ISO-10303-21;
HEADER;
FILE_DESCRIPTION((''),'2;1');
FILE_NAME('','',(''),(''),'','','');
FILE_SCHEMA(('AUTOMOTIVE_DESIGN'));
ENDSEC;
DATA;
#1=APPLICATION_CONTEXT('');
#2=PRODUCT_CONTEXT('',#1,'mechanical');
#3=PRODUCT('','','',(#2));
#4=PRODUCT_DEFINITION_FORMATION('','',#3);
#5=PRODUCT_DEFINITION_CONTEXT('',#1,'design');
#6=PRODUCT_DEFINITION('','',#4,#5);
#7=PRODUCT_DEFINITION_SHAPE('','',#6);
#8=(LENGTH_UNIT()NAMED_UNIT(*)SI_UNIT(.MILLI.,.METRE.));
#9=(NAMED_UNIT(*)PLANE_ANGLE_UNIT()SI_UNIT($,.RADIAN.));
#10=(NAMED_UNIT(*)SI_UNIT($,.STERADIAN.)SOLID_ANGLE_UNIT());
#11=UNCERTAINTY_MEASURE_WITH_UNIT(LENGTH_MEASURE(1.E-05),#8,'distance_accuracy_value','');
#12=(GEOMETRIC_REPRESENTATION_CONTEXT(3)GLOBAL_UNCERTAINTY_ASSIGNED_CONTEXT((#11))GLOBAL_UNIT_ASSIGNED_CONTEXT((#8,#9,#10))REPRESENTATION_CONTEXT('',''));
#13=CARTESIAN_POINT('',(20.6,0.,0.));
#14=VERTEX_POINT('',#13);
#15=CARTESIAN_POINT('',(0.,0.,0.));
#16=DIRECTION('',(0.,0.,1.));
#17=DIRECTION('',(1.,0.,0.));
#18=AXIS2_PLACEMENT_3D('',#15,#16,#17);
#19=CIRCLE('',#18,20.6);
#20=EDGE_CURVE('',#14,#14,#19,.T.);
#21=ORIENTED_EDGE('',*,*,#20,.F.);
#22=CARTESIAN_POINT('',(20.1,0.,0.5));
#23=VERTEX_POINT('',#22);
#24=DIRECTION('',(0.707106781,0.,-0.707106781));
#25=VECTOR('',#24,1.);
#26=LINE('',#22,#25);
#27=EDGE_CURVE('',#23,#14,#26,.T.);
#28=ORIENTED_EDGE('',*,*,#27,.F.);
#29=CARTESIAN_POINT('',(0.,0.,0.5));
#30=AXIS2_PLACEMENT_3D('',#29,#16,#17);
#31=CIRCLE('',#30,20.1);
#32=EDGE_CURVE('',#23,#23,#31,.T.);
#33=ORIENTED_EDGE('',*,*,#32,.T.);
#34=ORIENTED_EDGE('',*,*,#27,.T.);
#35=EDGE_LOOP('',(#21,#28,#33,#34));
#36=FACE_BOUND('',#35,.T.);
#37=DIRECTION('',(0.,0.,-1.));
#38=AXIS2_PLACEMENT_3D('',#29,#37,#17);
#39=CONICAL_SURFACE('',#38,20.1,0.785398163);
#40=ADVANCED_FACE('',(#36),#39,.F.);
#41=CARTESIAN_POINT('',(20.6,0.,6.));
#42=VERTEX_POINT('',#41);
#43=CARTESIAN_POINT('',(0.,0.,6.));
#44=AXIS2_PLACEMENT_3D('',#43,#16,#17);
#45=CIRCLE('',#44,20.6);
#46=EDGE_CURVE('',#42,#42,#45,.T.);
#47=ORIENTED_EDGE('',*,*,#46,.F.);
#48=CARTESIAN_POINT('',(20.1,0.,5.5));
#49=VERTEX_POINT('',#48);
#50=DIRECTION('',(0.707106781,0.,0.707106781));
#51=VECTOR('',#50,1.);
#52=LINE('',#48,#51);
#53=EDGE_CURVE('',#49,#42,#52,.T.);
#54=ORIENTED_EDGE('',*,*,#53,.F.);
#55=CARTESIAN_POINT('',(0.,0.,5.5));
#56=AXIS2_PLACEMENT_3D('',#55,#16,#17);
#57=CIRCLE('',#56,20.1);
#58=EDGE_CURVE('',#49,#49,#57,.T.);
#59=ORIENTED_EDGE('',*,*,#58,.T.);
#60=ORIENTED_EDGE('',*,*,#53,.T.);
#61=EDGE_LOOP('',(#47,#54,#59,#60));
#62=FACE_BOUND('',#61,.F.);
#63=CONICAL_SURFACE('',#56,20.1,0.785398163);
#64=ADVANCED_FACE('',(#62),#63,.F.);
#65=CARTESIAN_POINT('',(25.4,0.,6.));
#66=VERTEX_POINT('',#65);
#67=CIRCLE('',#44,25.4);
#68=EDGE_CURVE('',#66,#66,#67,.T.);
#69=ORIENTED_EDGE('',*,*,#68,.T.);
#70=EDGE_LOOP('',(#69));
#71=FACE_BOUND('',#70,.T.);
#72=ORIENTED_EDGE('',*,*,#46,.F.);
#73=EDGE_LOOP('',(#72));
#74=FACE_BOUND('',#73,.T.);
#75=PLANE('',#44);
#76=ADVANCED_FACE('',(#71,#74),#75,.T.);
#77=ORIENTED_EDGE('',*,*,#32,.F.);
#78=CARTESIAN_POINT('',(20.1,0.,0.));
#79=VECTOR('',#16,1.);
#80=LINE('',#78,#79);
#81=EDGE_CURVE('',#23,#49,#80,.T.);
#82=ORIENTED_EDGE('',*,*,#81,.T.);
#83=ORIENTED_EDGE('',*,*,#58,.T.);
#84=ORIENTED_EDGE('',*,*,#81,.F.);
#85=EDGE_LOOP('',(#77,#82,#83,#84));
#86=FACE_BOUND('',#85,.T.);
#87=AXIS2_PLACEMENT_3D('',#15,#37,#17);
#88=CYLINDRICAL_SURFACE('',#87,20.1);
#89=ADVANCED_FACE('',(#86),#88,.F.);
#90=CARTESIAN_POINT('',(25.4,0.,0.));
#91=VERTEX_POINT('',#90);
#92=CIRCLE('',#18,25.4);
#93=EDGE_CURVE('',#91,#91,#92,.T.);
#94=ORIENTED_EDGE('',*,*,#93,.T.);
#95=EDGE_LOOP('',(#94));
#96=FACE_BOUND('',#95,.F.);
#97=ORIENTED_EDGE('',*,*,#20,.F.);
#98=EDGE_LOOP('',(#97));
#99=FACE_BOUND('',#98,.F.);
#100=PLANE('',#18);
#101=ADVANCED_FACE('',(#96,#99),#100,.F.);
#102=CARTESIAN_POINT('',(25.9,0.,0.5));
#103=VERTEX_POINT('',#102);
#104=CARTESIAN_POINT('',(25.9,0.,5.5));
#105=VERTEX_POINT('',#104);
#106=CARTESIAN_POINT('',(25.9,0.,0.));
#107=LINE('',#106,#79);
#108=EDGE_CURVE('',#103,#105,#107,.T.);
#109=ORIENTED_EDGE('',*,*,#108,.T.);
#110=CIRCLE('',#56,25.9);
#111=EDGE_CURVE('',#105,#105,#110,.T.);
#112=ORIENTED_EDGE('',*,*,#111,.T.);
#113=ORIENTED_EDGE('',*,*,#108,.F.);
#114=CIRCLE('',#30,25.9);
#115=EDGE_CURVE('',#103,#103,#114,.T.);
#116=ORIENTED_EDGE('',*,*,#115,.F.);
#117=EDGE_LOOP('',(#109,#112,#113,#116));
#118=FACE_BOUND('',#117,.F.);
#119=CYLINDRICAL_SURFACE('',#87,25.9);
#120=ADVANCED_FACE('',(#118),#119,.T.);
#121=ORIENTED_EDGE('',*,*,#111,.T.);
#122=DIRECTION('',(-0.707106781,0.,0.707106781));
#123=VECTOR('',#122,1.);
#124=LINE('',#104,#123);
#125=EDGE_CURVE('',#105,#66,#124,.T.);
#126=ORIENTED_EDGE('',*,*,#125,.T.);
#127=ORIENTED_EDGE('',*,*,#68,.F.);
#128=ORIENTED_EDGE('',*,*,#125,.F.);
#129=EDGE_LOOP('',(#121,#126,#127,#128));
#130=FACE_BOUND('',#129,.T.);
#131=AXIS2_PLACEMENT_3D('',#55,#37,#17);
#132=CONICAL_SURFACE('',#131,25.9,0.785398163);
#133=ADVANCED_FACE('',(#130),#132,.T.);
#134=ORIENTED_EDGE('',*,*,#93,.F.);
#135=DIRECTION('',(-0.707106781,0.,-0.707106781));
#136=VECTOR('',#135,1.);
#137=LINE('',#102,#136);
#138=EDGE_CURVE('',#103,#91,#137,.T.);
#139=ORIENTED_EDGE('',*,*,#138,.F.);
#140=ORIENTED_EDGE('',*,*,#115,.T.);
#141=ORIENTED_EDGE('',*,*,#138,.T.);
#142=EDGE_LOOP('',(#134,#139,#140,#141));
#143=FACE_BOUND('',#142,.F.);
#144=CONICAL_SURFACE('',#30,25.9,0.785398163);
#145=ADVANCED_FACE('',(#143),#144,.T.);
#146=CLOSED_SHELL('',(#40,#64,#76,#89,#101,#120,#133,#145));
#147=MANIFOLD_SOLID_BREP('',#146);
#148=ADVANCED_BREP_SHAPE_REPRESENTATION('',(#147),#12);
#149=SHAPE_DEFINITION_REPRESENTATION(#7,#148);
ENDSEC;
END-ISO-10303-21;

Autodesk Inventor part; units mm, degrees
ref_plane "YZ Plane" through (0, 0, 0) normal (1, 0, 0) x (0, 1, 0)
ref_plane "XZ Plane" through (0, 0, 0) normal (0, 1, 0) x (-1, 0, 0)
ref_plane "XY Plane" through (0, 0, 0) normal (0, 0, 1) x (1, 0, 0)
sketch "草图1" plane through (0, 0, 0) normal (0, 0, 1) x (1, 0, 0)
  circle A0 centre (0, 0) radius 25.9
  circle A1 centre (0, 0) radius 20.1
extrude "拉伸1" add sketch "草图1" along normal blind 6
chamfer "倒角1" distance 0.5 angle 45 4 edges at (-20.1, 0, 6) (-20.1, 0, 0) (-25.9, 0, 6) (-25.9, 0, 0)
properties part number "my_attempt_v2"
